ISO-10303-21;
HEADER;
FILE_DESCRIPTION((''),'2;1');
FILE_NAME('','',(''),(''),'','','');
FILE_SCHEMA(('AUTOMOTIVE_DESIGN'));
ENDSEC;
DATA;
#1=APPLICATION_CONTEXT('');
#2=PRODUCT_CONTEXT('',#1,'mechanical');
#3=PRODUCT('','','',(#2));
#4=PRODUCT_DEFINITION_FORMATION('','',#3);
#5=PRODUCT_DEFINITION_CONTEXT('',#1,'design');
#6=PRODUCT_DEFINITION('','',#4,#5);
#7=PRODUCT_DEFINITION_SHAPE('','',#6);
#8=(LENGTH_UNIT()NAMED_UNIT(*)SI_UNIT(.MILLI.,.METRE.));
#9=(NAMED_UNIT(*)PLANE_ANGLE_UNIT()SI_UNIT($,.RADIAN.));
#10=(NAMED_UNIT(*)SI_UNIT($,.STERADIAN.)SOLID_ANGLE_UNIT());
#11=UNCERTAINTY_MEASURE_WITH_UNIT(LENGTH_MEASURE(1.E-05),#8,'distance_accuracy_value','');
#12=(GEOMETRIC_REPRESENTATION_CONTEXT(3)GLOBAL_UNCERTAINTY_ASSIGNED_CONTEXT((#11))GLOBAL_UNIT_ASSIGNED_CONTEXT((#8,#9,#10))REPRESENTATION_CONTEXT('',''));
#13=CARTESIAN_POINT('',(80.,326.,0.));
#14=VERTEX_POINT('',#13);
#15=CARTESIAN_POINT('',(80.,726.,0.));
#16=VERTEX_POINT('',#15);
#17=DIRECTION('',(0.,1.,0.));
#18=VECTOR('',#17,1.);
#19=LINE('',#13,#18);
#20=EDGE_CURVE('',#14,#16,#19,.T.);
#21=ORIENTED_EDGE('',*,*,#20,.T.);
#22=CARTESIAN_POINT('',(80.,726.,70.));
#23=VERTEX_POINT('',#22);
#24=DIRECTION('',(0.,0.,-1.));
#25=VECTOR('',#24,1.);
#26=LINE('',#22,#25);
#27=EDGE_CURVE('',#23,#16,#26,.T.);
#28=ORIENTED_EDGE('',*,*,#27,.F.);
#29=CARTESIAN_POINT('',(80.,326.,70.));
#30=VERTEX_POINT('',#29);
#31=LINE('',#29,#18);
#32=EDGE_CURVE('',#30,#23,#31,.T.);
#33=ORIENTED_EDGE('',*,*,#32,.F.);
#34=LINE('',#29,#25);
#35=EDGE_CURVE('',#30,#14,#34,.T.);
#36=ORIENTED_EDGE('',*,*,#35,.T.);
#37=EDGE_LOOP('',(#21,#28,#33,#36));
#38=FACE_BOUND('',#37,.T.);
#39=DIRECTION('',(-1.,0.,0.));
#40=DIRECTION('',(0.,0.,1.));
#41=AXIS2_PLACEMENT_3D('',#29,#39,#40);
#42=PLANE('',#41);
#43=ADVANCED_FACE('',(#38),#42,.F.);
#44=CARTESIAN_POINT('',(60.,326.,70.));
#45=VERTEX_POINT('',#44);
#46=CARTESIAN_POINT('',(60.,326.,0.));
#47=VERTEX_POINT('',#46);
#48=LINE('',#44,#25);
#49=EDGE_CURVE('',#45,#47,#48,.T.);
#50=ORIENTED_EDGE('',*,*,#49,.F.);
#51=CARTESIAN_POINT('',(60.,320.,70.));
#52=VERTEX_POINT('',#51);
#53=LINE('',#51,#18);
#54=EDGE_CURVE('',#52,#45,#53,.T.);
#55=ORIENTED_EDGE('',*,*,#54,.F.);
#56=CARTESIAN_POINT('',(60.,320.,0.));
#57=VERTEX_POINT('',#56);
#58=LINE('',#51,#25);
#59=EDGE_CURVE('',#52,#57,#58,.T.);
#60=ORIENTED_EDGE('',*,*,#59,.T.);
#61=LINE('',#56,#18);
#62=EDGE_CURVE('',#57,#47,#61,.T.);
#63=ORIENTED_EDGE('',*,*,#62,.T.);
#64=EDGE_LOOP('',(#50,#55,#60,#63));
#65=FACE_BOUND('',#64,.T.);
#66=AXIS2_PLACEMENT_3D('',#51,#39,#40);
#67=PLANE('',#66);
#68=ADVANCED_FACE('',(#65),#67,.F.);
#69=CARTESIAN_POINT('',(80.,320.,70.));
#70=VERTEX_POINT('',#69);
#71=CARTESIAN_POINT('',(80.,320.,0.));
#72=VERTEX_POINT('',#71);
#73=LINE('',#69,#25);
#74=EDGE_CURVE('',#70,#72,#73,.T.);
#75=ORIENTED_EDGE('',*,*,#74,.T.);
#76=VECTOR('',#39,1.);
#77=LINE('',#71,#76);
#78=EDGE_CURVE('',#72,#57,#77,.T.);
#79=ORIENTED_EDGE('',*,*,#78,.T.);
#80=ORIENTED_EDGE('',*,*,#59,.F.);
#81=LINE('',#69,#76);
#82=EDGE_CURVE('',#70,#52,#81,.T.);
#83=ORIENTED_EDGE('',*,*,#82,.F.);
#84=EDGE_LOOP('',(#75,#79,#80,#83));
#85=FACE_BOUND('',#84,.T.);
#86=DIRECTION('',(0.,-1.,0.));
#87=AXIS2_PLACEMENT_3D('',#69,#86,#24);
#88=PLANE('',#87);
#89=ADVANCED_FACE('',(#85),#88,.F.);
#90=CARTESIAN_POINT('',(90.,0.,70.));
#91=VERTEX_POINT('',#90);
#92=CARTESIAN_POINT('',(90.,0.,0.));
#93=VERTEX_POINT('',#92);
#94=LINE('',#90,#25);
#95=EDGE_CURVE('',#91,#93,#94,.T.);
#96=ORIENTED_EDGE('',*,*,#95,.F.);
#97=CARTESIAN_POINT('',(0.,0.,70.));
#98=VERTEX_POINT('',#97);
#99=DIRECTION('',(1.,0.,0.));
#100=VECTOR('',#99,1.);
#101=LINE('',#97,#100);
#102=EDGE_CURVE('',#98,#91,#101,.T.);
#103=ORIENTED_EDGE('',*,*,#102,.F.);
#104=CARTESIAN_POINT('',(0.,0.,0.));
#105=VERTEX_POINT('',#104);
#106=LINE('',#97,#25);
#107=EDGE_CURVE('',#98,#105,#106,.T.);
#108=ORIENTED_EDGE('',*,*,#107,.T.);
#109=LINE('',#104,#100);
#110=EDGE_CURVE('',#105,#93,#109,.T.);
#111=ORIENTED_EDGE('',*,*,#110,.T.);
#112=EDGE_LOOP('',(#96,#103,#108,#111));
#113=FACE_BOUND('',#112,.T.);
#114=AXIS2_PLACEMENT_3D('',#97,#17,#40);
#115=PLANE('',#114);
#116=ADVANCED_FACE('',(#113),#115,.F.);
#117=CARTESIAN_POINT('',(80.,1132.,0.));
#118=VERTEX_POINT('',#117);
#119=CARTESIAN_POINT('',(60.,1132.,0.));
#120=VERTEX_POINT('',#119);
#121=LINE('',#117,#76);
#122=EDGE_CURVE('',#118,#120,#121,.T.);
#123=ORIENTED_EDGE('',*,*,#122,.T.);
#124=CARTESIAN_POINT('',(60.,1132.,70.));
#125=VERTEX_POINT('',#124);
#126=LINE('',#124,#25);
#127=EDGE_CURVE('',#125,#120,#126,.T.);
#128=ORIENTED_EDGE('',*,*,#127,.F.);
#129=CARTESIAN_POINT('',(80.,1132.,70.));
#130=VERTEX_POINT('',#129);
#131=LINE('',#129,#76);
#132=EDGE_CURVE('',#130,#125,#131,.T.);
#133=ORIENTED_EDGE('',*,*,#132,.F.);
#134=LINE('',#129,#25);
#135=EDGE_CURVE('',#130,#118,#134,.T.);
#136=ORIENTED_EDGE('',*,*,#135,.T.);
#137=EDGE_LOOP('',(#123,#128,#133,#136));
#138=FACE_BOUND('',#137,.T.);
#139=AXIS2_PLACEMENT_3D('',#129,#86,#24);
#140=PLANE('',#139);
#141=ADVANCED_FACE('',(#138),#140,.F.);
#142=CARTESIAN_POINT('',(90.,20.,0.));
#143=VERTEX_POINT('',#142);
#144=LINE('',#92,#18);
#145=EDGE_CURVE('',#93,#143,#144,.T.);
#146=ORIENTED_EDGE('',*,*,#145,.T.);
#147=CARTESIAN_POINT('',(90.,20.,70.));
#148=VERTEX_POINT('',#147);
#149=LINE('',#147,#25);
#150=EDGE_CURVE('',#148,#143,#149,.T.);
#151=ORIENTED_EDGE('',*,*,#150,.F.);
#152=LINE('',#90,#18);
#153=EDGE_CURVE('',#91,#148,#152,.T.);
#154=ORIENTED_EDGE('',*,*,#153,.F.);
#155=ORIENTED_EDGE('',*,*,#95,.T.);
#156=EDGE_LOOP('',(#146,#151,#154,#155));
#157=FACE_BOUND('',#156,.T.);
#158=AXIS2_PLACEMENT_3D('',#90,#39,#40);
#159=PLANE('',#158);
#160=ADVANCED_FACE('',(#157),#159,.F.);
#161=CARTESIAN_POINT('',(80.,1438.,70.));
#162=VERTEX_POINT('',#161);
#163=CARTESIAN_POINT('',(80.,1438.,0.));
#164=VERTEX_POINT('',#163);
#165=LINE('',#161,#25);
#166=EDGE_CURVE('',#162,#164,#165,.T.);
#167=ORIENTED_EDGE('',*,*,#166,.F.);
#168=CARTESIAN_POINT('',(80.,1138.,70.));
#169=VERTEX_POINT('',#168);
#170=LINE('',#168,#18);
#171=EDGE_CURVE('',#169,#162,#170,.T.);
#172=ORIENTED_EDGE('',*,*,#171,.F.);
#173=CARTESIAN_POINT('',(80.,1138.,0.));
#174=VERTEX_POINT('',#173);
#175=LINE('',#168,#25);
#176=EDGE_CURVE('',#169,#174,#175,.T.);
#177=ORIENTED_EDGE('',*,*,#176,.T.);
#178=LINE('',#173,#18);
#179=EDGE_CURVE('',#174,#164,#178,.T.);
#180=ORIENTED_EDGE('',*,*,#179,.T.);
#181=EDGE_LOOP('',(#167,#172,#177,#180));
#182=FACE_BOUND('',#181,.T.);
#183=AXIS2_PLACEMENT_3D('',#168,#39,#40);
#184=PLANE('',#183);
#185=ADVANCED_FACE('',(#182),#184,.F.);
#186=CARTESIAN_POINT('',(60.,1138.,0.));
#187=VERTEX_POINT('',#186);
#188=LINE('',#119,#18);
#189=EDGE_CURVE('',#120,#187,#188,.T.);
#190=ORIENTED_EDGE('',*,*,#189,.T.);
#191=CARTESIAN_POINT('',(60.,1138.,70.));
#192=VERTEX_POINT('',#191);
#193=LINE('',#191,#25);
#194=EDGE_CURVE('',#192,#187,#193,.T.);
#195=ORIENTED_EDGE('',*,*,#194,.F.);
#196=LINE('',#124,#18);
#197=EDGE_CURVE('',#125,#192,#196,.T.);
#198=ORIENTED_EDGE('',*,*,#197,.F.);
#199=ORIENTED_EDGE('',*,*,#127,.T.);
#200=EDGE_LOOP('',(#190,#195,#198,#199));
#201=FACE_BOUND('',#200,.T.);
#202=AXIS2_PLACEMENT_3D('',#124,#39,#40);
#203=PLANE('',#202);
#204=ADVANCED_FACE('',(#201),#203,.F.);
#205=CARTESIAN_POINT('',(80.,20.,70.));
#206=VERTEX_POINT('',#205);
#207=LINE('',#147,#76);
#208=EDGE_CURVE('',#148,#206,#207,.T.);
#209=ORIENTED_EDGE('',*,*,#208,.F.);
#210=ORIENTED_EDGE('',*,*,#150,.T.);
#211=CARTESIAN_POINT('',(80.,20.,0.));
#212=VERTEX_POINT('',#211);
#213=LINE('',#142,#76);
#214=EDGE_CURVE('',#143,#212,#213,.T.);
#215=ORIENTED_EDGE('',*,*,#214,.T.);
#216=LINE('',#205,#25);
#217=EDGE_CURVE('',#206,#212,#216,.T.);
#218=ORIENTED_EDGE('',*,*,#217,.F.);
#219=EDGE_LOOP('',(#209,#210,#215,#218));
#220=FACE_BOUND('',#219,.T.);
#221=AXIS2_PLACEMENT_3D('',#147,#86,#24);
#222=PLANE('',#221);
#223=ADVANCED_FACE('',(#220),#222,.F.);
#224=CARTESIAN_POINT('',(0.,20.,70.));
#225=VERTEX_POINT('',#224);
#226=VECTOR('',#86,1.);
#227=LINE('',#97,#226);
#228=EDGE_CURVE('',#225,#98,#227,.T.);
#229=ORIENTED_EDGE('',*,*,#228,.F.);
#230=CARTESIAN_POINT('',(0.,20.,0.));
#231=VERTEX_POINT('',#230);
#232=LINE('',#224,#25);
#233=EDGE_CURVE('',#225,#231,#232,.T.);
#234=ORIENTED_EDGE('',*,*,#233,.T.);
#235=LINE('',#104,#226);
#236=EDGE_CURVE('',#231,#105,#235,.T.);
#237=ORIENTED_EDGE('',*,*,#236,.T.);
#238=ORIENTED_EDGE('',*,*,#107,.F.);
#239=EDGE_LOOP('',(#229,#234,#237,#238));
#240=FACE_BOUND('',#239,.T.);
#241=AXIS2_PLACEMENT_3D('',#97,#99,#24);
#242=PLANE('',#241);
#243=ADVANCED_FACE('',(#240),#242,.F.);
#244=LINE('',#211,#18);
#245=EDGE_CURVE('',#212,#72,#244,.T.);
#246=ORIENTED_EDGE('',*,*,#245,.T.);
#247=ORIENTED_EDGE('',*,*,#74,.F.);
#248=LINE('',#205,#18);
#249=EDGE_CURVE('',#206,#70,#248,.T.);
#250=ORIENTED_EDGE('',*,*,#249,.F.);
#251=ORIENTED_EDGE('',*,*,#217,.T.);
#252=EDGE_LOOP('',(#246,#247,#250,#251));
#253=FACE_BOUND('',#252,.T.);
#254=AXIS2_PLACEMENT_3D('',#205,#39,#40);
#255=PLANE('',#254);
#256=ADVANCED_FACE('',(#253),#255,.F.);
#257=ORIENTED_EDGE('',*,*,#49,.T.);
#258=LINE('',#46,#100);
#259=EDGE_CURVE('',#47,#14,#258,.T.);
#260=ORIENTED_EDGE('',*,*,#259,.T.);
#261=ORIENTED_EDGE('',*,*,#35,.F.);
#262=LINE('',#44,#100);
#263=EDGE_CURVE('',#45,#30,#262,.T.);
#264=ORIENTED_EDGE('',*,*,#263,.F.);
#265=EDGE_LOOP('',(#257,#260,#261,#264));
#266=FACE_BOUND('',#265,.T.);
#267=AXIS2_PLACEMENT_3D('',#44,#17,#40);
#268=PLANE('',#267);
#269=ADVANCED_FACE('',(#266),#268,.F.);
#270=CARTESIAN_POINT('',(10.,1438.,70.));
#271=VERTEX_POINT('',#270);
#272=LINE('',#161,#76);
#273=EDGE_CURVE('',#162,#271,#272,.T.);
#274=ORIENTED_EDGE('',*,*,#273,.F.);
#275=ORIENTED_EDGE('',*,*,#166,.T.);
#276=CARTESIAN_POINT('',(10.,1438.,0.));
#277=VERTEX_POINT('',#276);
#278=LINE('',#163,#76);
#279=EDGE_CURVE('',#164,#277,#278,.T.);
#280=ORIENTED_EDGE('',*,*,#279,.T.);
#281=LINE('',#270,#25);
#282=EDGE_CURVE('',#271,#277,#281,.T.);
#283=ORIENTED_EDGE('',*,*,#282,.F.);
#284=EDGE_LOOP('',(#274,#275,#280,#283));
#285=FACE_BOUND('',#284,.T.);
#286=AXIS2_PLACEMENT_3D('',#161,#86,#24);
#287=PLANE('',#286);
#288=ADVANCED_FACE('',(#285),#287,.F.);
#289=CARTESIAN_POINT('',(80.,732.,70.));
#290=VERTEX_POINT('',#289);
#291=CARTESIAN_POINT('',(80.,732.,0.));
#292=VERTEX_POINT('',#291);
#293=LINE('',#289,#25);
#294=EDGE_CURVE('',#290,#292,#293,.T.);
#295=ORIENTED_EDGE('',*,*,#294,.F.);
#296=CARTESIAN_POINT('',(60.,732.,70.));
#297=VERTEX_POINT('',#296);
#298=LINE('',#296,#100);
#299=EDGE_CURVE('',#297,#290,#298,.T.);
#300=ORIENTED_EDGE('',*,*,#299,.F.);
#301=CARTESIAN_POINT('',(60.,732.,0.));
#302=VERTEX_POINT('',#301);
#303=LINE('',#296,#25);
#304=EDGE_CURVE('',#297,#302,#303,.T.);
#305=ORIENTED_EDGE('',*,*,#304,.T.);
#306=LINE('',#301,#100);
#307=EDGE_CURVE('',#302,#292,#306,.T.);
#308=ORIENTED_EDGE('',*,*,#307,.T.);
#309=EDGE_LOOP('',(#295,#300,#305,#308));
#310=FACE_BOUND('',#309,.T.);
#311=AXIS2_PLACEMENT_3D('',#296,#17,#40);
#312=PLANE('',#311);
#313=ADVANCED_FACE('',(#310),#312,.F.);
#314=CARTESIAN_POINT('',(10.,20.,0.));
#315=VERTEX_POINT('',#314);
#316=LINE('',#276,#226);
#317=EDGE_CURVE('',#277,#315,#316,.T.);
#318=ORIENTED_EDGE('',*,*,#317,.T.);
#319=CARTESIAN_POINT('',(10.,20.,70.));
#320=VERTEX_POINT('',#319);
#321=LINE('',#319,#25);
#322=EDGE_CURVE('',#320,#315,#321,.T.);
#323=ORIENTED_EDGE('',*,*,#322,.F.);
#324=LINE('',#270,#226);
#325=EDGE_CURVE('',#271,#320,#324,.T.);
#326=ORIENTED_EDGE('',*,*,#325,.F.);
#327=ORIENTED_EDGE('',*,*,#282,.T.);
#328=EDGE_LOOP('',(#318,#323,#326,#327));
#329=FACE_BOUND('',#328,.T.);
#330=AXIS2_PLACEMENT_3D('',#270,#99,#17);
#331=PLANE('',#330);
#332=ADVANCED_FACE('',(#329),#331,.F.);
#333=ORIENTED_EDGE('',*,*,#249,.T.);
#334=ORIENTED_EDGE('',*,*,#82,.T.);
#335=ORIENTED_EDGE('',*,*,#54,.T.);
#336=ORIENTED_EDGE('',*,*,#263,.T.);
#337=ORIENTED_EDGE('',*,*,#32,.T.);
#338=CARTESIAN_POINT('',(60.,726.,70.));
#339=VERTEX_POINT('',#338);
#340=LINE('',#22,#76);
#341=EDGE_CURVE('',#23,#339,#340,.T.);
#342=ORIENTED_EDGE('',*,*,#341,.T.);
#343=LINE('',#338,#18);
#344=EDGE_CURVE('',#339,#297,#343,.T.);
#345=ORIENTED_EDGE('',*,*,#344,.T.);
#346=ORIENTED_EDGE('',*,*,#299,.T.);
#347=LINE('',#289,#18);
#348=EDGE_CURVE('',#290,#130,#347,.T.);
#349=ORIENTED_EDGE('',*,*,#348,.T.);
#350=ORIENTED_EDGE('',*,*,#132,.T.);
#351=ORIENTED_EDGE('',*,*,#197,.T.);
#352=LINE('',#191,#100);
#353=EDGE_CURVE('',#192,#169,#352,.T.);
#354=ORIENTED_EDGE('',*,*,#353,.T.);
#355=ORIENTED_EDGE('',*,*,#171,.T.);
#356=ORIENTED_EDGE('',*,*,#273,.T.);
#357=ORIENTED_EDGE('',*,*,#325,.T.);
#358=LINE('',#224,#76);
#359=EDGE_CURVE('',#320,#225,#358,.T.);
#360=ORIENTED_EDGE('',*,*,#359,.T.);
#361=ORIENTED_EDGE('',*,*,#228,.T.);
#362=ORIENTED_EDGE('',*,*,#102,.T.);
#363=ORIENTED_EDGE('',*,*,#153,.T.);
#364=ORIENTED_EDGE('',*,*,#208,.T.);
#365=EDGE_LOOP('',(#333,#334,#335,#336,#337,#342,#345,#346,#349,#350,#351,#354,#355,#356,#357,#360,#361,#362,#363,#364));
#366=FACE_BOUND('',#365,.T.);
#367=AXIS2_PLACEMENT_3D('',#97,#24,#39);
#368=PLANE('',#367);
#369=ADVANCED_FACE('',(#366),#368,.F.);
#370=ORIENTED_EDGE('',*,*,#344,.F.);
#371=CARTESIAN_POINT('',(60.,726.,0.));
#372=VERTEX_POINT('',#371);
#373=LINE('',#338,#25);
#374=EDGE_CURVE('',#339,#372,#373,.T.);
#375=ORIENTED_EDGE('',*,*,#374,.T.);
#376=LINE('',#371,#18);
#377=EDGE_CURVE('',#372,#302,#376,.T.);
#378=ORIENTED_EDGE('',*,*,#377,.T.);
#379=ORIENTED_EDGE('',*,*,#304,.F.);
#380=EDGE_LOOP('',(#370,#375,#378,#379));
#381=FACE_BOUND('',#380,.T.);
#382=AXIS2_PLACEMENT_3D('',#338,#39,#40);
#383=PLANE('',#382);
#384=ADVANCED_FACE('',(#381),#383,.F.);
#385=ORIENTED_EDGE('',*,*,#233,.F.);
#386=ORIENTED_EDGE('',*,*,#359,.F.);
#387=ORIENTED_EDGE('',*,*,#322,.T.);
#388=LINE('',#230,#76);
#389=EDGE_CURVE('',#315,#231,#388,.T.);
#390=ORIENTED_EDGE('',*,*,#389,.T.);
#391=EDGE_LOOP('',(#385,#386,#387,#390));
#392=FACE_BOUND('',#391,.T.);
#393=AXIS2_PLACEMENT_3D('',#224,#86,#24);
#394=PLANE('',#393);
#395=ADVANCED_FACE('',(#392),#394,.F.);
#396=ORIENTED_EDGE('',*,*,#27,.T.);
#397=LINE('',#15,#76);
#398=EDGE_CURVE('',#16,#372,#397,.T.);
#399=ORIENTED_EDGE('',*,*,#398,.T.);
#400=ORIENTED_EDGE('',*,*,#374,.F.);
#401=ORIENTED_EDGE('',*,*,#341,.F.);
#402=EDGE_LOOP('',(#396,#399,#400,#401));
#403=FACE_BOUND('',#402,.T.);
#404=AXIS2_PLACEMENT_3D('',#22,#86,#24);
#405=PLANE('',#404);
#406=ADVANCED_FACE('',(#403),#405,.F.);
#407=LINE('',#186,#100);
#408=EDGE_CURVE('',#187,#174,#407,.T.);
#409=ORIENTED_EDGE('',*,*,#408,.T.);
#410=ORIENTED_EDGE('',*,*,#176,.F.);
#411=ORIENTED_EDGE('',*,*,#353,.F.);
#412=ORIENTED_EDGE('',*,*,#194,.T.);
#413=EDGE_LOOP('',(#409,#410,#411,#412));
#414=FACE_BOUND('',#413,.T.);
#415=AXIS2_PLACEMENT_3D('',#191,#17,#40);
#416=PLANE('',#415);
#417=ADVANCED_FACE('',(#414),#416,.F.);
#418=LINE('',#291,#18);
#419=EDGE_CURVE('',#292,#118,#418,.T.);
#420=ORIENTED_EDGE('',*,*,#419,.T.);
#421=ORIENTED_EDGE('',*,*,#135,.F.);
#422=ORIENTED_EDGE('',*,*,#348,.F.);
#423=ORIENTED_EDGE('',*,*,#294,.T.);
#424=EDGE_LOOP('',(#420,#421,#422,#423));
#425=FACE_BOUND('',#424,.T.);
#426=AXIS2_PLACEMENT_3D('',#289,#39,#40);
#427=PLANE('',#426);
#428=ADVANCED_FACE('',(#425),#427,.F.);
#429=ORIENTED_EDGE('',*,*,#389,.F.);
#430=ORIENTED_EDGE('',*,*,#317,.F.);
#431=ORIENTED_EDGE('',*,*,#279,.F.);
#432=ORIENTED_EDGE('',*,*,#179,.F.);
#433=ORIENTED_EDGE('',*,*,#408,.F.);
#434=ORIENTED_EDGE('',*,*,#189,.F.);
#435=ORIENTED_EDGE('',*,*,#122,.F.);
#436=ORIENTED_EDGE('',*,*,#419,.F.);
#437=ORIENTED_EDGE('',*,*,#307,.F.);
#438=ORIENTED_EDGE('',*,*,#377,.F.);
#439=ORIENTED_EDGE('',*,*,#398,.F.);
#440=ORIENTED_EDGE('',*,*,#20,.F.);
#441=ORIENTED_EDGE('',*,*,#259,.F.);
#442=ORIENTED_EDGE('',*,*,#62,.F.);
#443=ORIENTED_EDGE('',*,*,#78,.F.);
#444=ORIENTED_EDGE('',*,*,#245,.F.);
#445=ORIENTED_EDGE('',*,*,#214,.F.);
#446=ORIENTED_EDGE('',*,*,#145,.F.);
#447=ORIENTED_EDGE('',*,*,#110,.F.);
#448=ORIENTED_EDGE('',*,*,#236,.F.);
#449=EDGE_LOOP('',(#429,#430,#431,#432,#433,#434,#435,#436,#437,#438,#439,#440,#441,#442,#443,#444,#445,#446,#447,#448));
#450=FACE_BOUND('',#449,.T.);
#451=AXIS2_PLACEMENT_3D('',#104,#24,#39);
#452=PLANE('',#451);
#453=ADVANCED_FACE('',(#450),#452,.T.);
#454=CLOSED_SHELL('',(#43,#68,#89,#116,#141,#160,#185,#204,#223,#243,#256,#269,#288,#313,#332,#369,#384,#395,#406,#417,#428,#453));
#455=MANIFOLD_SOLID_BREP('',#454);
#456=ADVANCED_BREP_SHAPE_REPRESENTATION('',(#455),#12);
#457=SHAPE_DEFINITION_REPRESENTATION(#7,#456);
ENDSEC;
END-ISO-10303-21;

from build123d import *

# Parameters (mm, degrees)
BOSS_EXTRUDE1_DEPTH = 70


with BuildPart() as part:
    # Sketch2 → Boss-Extrude1 (new body)
    with BuildSketch(Plane.XY):
        Polygon((0, 0), (90, 0), (90, 20), (80, 20), (80, 320), (60, 320), (60, 326), (80, 326), (80, 726), (60, 726), (60, 732), (80, 732), (80, 1132), (60, 1132), (60, 1138), (80, 1138), (80, 1438), (10, 1438), (10, 20), (0, 20), align=None)
    extrude(amount=BOSS_EXTRUDE1_DEPTH)


solid = part.part
